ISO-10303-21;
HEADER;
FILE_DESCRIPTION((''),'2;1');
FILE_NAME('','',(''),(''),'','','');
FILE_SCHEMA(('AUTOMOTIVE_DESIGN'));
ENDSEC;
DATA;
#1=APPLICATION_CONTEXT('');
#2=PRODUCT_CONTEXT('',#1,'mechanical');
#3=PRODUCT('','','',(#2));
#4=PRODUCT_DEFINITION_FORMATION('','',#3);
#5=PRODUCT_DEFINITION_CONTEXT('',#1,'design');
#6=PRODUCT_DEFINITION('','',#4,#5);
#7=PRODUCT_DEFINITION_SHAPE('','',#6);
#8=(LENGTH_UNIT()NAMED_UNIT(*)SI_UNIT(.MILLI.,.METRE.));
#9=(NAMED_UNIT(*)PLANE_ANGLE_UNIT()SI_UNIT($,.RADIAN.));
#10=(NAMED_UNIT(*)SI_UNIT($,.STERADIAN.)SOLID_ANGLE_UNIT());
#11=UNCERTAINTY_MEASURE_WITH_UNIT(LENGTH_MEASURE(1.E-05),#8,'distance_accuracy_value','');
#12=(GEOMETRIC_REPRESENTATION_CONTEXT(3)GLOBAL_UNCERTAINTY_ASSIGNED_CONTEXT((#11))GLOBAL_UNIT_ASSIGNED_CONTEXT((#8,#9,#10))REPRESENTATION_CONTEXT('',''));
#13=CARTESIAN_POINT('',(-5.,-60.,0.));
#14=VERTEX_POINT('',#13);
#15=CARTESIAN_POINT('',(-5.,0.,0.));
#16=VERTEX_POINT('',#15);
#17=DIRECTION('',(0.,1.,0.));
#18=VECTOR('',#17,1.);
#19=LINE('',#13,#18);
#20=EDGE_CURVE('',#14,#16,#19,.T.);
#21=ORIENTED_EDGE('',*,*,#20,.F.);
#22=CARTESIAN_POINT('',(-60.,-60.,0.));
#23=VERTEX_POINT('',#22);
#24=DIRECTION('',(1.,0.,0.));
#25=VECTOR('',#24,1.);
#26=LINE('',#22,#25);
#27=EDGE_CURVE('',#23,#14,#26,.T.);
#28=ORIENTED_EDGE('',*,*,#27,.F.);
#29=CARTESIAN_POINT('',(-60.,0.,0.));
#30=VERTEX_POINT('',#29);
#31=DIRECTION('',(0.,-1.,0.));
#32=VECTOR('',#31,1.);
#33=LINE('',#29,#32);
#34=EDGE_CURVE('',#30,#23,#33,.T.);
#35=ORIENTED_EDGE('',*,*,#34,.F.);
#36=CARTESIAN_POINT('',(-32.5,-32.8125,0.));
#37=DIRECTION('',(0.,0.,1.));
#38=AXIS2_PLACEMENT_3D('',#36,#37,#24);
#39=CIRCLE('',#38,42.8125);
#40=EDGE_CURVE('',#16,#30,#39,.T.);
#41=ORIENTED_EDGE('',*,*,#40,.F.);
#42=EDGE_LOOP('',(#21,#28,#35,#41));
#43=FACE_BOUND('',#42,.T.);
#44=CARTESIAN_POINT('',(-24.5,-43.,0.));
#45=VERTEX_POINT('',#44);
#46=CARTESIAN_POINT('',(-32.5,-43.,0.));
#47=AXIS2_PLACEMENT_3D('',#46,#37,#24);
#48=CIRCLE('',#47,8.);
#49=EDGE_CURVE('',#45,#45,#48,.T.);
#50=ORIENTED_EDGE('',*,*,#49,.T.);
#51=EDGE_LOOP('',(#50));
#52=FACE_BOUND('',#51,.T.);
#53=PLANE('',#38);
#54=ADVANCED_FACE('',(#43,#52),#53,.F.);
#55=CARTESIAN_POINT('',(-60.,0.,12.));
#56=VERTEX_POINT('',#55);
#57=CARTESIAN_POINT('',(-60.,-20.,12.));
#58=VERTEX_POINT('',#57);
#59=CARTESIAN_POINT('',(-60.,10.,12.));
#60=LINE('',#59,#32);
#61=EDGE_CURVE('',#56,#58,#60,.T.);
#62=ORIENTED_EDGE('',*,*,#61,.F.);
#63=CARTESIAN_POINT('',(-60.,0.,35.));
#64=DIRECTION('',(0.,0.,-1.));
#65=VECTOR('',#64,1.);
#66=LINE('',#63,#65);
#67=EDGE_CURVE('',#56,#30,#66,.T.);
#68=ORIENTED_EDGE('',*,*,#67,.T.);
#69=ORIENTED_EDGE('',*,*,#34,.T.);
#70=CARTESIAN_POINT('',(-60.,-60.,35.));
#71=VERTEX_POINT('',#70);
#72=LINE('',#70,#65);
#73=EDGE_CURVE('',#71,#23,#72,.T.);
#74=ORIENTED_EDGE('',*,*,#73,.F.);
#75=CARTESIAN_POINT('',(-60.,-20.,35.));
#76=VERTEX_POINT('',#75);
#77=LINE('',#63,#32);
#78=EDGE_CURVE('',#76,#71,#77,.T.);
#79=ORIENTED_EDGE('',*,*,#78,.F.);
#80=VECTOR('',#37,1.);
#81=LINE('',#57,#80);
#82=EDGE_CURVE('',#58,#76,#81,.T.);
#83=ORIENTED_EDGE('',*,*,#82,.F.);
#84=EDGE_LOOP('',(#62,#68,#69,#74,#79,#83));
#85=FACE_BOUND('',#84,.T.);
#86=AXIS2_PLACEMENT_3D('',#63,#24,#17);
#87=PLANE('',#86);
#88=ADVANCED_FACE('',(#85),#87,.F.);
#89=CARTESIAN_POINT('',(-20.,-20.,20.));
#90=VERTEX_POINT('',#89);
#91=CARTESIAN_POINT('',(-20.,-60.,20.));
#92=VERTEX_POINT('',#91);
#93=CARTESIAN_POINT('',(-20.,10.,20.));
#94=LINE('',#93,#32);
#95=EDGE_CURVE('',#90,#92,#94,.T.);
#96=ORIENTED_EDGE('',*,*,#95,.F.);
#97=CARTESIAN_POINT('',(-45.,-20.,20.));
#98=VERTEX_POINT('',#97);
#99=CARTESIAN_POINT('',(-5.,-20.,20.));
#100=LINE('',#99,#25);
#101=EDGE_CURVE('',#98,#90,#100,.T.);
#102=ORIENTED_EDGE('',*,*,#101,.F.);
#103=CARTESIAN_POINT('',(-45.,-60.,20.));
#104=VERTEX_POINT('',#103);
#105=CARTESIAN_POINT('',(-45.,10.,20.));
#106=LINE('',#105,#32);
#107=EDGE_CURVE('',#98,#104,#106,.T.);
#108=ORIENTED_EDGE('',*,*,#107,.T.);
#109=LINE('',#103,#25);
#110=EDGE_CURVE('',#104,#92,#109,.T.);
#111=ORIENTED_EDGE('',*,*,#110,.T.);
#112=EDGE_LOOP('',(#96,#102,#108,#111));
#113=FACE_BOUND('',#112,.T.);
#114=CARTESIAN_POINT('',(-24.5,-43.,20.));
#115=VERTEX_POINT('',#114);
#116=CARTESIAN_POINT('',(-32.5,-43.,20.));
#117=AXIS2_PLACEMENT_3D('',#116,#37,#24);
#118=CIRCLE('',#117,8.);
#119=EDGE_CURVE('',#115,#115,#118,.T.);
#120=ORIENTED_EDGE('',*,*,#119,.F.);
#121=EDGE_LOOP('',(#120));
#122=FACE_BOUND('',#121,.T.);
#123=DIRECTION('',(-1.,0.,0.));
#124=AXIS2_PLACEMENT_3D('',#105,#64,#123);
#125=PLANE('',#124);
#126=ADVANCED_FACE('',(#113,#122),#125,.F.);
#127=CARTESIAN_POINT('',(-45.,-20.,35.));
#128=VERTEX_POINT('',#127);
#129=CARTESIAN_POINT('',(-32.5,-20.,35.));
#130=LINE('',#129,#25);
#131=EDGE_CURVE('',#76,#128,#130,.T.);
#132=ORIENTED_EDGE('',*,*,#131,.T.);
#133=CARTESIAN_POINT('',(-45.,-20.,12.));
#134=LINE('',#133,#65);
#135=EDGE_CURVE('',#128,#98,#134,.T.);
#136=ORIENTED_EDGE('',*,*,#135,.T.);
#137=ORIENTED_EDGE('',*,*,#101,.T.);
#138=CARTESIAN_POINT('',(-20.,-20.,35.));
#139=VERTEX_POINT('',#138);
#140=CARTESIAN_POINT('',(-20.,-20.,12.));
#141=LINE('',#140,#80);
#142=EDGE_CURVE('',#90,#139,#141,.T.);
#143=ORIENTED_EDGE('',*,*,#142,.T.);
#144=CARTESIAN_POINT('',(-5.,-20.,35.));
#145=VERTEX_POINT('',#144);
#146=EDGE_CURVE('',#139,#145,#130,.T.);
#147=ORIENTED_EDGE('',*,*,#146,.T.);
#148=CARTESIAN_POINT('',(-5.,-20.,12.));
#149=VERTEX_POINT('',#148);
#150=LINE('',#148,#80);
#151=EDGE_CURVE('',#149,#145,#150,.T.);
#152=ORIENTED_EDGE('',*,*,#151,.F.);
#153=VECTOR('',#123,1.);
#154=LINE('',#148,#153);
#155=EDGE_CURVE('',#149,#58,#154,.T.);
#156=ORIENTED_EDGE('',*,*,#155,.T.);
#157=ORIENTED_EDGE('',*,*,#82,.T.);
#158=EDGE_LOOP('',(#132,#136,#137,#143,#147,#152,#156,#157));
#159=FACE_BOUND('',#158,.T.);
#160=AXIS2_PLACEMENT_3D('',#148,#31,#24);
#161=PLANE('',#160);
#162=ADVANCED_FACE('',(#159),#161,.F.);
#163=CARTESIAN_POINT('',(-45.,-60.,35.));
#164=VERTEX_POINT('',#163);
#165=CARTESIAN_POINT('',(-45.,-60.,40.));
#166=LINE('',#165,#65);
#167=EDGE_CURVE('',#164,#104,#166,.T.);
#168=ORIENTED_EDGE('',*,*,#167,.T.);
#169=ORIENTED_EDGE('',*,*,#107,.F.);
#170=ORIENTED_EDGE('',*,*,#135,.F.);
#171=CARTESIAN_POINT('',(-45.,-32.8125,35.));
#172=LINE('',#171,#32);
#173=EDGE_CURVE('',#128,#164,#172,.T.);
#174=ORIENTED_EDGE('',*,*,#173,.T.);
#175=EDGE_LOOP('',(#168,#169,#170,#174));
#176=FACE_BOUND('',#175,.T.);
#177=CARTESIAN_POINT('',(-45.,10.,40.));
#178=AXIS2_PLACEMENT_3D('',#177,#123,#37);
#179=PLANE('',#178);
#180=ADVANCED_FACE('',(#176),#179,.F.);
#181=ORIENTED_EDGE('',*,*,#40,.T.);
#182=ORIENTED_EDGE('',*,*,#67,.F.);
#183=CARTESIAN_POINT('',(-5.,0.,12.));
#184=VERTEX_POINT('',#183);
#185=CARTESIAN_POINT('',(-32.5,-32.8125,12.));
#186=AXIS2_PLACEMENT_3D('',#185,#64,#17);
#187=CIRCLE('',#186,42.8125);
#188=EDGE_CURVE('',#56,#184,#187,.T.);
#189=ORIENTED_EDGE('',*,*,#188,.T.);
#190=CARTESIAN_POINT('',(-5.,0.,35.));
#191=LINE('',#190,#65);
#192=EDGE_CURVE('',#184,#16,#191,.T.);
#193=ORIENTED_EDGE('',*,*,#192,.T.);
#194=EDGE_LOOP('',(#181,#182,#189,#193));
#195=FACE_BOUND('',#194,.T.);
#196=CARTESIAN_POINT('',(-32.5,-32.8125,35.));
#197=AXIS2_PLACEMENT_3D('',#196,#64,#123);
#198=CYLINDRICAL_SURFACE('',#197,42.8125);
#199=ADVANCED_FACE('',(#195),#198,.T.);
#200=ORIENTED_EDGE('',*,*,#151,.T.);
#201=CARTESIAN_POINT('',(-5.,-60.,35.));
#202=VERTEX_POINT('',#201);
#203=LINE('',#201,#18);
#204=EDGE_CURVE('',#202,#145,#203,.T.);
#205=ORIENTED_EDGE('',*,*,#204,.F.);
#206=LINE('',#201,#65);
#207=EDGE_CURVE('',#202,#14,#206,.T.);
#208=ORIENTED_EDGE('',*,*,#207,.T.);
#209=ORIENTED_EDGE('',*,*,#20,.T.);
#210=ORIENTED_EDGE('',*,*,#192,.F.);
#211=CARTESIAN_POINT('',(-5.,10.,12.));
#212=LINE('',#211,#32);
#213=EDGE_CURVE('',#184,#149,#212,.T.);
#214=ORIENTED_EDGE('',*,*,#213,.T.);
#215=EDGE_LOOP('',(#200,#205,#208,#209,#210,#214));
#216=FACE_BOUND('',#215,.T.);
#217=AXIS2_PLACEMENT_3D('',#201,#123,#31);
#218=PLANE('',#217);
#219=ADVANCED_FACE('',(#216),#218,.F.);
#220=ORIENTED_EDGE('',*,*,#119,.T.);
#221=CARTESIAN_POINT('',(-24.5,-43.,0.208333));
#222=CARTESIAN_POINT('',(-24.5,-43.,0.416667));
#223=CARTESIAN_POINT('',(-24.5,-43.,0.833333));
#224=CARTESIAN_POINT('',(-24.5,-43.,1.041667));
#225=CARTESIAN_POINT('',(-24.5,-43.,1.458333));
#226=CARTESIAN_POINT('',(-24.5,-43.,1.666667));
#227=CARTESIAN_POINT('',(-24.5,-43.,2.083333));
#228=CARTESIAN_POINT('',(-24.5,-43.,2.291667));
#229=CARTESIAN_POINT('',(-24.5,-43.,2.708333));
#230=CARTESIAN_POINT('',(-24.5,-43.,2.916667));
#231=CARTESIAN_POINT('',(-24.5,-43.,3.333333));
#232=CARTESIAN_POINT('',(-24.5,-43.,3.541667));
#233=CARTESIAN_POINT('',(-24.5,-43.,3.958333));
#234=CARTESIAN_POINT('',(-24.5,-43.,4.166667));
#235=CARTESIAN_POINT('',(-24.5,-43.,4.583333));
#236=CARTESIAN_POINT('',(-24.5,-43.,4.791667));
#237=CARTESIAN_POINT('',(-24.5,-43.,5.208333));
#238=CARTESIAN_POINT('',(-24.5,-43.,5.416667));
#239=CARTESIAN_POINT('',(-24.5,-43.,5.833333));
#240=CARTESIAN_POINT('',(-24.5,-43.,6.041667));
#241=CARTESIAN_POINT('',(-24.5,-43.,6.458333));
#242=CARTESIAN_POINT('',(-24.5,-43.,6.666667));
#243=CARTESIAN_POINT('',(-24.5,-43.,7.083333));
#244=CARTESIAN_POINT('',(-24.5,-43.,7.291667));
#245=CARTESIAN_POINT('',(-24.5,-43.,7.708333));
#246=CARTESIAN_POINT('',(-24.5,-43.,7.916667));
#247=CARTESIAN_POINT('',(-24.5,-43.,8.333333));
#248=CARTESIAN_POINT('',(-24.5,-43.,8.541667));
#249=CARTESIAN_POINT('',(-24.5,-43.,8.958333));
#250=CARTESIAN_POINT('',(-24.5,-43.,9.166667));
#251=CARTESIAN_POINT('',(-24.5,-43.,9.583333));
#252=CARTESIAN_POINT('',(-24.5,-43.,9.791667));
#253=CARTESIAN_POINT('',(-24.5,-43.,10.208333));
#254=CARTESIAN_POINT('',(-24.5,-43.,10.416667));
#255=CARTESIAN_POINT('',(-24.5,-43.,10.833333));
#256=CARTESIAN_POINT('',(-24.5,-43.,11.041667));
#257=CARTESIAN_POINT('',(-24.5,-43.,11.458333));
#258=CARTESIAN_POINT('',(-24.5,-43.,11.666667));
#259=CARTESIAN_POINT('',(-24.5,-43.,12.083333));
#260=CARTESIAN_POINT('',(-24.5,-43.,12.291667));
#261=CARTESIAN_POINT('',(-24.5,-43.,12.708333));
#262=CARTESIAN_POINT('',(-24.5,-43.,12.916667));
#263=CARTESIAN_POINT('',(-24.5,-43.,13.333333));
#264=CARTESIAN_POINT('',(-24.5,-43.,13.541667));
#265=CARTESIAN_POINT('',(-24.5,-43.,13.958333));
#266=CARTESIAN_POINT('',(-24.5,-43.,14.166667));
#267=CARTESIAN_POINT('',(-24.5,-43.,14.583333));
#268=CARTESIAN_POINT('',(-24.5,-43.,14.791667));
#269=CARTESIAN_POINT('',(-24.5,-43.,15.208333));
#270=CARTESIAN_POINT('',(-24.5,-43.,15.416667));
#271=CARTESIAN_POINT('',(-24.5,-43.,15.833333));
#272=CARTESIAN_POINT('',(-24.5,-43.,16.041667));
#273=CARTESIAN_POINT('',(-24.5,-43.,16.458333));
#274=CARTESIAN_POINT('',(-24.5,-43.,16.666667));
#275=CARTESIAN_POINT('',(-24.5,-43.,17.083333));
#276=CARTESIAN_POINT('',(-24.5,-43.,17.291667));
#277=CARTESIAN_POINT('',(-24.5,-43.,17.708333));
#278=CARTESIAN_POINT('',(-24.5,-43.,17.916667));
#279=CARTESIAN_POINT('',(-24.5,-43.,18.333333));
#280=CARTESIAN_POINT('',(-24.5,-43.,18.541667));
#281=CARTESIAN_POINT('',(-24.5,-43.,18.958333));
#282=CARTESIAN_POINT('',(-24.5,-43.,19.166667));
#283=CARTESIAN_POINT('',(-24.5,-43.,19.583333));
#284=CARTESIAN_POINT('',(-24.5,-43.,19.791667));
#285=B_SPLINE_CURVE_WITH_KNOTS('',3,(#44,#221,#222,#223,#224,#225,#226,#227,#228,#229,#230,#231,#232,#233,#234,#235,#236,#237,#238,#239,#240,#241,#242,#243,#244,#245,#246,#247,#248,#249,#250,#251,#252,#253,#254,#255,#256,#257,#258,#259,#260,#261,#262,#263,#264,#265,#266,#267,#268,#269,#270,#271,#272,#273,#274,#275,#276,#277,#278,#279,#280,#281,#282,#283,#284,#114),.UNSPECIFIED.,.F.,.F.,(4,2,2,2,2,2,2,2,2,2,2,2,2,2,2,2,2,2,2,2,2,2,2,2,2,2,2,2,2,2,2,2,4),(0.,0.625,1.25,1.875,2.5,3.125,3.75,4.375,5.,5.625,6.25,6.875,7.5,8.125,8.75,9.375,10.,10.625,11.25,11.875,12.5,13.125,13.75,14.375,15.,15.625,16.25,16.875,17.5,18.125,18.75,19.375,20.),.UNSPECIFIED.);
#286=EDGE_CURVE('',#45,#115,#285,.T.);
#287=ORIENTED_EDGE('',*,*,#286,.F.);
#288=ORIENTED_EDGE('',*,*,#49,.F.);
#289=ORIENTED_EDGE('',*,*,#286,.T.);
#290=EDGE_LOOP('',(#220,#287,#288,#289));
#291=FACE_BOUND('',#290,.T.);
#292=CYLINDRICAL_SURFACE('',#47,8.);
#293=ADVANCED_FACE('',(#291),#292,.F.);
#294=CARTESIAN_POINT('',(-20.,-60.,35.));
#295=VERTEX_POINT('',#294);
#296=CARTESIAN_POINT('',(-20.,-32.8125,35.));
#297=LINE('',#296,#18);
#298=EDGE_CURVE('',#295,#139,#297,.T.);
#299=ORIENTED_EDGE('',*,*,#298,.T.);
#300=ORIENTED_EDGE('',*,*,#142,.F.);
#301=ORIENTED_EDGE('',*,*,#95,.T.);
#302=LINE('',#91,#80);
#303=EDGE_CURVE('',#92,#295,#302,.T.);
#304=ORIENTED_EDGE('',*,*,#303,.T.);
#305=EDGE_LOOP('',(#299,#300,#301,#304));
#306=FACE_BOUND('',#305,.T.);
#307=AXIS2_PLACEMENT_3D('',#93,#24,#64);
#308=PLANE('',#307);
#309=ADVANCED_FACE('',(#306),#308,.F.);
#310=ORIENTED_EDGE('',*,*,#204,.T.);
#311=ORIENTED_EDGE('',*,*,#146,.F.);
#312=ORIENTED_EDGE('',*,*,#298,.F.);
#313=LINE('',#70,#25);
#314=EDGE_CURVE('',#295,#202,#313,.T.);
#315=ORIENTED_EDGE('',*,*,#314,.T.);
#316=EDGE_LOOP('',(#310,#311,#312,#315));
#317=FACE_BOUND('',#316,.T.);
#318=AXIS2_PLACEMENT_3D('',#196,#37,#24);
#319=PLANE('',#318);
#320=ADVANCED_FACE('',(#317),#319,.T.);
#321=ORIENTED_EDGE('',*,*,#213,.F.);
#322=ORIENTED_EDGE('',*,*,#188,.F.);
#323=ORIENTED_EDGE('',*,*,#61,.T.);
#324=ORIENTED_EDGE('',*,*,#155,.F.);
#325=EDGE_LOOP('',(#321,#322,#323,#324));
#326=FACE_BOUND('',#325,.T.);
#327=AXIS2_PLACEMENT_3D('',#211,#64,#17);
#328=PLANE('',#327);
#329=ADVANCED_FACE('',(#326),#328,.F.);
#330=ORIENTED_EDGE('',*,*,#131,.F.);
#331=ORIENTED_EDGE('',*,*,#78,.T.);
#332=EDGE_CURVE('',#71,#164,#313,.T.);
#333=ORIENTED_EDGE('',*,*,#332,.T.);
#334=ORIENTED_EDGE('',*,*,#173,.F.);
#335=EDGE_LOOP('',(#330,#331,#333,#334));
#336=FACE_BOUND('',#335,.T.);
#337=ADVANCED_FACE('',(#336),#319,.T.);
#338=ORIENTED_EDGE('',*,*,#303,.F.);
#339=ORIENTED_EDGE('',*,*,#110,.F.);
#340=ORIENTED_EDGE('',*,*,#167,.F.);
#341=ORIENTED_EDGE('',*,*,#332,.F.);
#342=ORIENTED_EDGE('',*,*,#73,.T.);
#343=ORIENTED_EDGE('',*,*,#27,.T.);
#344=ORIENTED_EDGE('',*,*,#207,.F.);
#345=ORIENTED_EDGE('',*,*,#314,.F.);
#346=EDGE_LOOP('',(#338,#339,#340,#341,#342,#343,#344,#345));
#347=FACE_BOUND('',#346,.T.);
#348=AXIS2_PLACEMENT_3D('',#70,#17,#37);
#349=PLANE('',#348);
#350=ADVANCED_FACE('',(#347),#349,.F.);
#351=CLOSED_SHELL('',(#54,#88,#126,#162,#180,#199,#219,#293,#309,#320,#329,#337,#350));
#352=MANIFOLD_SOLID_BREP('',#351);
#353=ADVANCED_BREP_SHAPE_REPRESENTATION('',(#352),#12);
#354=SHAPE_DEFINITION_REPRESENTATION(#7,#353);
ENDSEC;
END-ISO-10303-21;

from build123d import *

# Parameters (mm, degrees)
BASE_EXTRUSION_DEPTH    = 35
ESQUISSE5_W             = 30
ESQUISSE5_H             = 30
ENL_V_MAT_EXTRU_5_DEPTH = 89.600225733
ESQUISSE6_W             = 25
ESQUISSE6_H             = 20
ENL_V_MAT_EXTRU_6_DEPTH = 99.615414617
ESQUISSE7_R             = 8
ENL_V_MAT_EXTRU_7_DEPTH = 88.177978871


with BuildPart() as part:
    # Esquisse1 → Base-Extrusion (new body)
    with BuildSketch(Plane.XY):
        with BuildLine():
            Line((-60, 0), (-60, -60))
            Line((-60, -60), (-5, -60))
            Line((-5, -60), (-5, 0))
            ThreePointArc((-5, 0), (-32.5, 10), (-60, 0))
        make_face()
    extrude(amount=BASE_EXTRUSION_DEPTH)

    # Esquisse5 → Enlèv. mat.-Extru.5 (cut, through all)
    with BuildSketch(Plane.ZY.offset(60)):
        with Locations((27, -5)):
            Rectangle(ESQUISSE5_W, ESQUISSE5_H)
    extrude(amount=-ENL_V_MAT_EXTRU_5_DEPTH, mode=Mode.SUBTRACT)

    # Esquisse6 → Enlèv. mat.-Extru.6 (cut, through all)
    with BuildSketch(Plane.XZ.offset(60)):
        with Locations((-32.5, 30)):
            Rectangle(ESQUISSE6_W, ESQUISSE6_H)
    extrude(amount=-ENL_V_MAT_EXTRU_6_DEPTH, mode=Mode.SUBTRACT)

    # Esquisse7 → Enlèv. mat.-Extru.7 (cut, through all)
    with BuildSketch(Plane.XY.offset(20)):
        with Locations((-32.5, -43)):
            Circle(ESQUISSE7_R)
    extrude(amount=-ENL_V_MAT_EXTRU_7_DEPTH, mode=Mode.SUBTRACT)


solid = part.part
